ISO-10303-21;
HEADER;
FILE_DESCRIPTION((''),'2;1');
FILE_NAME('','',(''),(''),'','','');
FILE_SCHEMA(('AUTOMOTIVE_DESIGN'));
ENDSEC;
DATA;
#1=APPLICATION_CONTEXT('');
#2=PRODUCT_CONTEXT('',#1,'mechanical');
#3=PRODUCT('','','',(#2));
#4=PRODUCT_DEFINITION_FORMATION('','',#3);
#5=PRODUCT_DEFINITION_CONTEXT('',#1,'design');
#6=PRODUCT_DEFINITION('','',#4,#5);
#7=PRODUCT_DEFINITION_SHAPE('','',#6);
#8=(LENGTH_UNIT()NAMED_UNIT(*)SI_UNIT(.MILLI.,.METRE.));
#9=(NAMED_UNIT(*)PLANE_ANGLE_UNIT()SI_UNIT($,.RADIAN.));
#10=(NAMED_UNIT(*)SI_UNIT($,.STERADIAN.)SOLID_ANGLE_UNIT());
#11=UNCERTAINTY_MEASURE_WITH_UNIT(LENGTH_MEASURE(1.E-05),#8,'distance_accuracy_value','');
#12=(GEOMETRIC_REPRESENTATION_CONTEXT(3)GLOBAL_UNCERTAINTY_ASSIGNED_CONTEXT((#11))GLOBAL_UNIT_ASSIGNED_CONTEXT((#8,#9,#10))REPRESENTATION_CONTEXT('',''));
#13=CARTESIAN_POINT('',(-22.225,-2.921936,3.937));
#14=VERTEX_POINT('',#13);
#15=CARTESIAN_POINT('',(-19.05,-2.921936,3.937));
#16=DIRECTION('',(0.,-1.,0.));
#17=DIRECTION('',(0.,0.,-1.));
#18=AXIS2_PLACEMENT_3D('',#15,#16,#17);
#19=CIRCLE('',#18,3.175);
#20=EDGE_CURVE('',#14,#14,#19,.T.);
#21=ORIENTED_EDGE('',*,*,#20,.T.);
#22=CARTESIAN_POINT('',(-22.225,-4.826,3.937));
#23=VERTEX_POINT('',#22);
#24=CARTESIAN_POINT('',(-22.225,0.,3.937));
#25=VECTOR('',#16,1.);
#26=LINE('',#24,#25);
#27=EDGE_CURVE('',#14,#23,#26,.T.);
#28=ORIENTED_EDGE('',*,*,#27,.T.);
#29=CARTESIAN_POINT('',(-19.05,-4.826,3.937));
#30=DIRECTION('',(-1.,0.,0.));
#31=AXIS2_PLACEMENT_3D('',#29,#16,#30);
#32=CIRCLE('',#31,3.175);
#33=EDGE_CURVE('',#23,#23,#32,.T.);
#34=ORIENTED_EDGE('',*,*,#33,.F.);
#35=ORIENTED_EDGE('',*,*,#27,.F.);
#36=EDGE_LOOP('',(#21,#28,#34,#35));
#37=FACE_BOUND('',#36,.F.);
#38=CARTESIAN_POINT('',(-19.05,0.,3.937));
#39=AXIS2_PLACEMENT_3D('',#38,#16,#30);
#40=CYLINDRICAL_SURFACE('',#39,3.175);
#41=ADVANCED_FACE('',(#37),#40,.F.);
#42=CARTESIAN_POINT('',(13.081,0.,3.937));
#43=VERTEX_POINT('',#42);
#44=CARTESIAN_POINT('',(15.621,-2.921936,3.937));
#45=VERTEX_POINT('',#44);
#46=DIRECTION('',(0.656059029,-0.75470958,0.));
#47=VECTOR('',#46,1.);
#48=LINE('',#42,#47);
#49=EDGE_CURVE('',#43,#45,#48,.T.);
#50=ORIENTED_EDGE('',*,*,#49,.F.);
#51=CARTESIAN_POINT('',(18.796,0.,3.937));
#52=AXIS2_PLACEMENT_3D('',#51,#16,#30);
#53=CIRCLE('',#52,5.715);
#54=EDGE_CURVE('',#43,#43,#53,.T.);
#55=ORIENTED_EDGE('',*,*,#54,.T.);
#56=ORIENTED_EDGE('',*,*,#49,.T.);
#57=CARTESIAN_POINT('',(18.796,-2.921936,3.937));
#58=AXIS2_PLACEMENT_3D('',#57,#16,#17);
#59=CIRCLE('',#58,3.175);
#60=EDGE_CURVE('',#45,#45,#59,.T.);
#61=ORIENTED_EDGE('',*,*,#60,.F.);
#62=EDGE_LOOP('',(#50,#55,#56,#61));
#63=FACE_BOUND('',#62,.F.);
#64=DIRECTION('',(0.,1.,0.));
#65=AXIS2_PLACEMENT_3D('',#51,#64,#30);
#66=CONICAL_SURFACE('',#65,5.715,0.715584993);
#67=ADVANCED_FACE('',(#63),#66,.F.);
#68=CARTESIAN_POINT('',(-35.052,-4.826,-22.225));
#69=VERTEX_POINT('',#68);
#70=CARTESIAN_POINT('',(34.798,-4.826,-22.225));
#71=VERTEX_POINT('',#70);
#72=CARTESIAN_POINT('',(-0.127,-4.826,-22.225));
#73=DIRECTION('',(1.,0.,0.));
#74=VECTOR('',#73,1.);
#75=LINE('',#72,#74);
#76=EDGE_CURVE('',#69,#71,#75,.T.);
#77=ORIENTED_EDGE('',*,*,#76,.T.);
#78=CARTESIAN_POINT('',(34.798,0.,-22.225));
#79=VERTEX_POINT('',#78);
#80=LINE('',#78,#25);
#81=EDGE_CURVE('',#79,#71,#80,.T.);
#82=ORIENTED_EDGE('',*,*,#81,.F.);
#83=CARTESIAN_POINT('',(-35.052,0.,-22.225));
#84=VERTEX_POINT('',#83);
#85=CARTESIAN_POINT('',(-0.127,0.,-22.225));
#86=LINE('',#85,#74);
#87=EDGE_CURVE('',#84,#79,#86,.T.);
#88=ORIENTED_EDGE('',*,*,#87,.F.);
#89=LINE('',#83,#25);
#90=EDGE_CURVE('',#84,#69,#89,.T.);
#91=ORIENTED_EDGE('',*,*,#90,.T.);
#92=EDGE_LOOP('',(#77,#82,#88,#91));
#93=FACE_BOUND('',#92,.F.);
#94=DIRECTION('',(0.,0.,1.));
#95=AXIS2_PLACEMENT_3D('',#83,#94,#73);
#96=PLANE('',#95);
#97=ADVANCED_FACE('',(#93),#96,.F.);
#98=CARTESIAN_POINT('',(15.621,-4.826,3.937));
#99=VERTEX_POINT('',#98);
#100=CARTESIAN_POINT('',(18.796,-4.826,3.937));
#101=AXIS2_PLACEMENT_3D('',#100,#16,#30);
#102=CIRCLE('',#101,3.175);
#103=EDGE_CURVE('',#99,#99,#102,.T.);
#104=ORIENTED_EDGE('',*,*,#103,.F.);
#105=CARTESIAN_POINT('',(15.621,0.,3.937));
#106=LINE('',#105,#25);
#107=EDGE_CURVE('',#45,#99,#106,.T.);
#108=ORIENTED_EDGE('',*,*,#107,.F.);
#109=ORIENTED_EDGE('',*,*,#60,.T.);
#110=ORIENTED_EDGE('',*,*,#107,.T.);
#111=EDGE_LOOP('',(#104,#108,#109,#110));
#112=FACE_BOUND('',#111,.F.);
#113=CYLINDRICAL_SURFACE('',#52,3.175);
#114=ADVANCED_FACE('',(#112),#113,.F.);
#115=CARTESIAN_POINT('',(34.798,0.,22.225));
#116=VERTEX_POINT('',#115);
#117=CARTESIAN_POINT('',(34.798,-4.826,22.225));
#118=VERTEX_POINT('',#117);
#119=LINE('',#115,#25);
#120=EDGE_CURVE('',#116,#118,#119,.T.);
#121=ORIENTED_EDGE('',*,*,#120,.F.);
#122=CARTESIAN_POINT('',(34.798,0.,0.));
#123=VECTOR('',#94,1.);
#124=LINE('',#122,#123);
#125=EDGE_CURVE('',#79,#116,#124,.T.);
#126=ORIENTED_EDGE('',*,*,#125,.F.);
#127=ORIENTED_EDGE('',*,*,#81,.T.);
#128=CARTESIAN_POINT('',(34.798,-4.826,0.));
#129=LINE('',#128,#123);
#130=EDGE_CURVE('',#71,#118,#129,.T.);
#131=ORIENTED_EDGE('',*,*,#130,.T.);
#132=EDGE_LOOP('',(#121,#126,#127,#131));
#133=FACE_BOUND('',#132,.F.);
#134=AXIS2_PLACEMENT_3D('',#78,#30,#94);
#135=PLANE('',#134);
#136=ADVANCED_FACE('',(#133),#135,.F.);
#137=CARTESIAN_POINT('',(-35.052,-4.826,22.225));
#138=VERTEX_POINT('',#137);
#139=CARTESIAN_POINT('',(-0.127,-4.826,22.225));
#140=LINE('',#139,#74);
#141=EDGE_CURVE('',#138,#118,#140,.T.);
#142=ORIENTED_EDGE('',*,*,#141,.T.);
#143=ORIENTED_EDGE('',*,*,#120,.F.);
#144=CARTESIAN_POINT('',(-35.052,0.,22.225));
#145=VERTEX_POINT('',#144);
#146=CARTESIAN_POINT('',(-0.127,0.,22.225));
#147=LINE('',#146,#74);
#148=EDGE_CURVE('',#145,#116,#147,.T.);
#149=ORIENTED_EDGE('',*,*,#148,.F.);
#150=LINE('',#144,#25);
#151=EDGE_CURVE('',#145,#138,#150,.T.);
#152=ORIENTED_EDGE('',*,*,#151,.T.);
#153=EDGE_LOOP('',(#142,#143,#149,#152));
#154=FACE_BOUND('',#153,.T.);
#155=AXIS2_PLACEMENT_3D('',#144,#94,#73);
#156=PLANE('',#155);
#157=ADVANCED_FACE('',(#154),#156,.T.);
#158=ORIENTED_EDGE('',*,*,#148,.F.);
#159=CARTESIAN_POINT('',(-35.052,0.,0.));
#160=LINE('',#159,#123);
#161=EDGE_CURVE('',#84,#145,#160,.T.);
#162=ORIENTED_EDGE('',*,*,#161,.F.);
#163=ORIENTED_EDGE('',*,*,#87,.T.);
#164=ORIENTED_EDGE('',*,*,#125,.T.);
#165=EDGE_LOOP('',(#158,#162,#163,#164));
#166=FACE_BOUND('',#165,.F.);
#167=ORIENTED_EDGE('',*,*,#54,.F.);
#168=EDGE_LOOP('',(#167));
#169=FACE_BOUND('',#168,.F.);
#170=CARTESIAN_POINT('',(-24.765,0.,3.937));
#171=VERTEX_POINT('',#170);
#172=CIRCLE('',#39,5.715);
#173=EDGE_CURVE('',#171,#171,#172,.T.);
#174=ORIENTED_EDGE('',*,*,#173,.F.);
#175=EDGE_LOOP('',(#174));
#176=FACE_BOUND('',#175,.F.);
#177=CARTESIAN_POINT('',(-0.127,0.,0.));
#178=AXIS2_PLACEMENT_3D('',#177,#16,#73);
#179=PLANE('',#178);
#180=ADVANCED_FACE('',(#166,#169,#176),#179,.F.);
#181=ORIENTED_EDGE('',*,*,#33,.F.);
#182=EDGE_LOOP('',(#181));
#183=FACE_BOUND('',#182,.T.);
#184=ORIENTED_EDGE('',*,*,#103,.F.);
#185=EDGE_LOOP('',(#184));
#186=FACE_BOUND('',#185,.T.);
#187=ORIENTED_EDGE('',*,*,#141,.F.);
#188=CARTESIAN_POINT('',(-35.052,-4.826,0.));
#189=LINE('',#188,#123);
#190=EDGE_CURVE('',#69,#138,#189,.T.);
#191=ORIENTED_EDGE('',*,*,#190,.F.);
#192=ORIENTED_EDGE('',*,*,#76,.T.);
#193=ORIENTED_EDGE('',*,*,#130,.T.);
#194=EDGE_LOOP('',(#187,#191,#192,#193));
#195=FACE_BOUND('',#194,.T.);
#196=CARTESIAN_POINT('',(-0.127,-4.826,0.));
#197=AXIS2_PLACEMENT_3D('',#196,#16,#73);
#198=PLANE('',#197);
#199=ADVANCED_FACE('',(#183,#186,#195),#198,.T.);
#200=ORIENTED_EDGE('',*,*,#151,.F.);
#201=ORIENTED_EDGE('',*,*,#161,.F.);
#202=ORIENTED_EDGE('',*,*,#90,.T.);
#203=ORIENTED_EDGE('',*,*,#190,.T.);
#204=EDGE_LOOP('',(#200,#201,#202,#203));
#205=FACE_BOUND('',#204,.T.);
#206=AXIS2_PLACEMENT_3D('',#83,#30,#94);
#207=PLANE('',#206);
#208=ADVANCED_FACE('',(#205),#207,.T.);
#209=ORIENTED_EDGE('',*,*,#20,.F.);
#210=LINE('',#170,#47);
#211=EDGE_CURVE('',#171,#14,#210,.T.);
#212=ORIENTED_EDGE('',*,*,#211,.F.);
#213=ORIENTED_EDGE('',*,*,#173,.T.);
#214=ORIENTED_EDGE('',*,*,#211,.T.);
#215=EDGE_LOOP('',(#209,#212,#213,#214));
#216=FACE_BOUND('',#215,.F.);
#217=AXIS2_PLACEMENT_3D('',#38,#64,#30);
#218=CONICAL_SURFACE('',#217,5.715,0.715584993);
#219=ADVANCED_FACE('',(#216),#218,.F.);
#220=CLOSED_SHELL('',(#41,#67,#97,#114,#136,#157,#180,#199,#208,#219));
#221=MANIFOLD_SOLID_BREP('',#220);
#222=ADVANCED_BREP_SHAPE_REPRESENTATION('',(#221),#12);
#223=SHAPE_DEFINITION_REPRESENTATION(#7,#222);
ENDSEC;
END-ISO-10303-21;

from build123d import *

# Parameters (mm, degrees)
F0_W           = 69.85
F0_H           = 44.45
F1_DEPTH       = 4.826
F2_D           = 6.35
F2_CSINK_D     = 11.43
F2_CSINK_ANGLE = 82


with BuildPart() as f1:
    # F0 (on Front) → F1 (new body)
    with BuildSketch(Plane.XZ):
        with Locations((-0.127, 0)):
            Rectangle(F0_W, F0_H)
    extrude(amount=F1_DEPTH)

    # F2 (through all)
    with Locations(Plane(origin=(0, 0, 0), x_dir=(1, 0, 0), z_dir=(0, 1, 0))):
        with Locations((-19.05, -3.937), (18.796, -3.937)):
            CounterSinkHole(F2_D / 2, F2_CSINK_D / 2, counter_sink_angle=F2_CSINK_ANGLE)


solid = f1.part
